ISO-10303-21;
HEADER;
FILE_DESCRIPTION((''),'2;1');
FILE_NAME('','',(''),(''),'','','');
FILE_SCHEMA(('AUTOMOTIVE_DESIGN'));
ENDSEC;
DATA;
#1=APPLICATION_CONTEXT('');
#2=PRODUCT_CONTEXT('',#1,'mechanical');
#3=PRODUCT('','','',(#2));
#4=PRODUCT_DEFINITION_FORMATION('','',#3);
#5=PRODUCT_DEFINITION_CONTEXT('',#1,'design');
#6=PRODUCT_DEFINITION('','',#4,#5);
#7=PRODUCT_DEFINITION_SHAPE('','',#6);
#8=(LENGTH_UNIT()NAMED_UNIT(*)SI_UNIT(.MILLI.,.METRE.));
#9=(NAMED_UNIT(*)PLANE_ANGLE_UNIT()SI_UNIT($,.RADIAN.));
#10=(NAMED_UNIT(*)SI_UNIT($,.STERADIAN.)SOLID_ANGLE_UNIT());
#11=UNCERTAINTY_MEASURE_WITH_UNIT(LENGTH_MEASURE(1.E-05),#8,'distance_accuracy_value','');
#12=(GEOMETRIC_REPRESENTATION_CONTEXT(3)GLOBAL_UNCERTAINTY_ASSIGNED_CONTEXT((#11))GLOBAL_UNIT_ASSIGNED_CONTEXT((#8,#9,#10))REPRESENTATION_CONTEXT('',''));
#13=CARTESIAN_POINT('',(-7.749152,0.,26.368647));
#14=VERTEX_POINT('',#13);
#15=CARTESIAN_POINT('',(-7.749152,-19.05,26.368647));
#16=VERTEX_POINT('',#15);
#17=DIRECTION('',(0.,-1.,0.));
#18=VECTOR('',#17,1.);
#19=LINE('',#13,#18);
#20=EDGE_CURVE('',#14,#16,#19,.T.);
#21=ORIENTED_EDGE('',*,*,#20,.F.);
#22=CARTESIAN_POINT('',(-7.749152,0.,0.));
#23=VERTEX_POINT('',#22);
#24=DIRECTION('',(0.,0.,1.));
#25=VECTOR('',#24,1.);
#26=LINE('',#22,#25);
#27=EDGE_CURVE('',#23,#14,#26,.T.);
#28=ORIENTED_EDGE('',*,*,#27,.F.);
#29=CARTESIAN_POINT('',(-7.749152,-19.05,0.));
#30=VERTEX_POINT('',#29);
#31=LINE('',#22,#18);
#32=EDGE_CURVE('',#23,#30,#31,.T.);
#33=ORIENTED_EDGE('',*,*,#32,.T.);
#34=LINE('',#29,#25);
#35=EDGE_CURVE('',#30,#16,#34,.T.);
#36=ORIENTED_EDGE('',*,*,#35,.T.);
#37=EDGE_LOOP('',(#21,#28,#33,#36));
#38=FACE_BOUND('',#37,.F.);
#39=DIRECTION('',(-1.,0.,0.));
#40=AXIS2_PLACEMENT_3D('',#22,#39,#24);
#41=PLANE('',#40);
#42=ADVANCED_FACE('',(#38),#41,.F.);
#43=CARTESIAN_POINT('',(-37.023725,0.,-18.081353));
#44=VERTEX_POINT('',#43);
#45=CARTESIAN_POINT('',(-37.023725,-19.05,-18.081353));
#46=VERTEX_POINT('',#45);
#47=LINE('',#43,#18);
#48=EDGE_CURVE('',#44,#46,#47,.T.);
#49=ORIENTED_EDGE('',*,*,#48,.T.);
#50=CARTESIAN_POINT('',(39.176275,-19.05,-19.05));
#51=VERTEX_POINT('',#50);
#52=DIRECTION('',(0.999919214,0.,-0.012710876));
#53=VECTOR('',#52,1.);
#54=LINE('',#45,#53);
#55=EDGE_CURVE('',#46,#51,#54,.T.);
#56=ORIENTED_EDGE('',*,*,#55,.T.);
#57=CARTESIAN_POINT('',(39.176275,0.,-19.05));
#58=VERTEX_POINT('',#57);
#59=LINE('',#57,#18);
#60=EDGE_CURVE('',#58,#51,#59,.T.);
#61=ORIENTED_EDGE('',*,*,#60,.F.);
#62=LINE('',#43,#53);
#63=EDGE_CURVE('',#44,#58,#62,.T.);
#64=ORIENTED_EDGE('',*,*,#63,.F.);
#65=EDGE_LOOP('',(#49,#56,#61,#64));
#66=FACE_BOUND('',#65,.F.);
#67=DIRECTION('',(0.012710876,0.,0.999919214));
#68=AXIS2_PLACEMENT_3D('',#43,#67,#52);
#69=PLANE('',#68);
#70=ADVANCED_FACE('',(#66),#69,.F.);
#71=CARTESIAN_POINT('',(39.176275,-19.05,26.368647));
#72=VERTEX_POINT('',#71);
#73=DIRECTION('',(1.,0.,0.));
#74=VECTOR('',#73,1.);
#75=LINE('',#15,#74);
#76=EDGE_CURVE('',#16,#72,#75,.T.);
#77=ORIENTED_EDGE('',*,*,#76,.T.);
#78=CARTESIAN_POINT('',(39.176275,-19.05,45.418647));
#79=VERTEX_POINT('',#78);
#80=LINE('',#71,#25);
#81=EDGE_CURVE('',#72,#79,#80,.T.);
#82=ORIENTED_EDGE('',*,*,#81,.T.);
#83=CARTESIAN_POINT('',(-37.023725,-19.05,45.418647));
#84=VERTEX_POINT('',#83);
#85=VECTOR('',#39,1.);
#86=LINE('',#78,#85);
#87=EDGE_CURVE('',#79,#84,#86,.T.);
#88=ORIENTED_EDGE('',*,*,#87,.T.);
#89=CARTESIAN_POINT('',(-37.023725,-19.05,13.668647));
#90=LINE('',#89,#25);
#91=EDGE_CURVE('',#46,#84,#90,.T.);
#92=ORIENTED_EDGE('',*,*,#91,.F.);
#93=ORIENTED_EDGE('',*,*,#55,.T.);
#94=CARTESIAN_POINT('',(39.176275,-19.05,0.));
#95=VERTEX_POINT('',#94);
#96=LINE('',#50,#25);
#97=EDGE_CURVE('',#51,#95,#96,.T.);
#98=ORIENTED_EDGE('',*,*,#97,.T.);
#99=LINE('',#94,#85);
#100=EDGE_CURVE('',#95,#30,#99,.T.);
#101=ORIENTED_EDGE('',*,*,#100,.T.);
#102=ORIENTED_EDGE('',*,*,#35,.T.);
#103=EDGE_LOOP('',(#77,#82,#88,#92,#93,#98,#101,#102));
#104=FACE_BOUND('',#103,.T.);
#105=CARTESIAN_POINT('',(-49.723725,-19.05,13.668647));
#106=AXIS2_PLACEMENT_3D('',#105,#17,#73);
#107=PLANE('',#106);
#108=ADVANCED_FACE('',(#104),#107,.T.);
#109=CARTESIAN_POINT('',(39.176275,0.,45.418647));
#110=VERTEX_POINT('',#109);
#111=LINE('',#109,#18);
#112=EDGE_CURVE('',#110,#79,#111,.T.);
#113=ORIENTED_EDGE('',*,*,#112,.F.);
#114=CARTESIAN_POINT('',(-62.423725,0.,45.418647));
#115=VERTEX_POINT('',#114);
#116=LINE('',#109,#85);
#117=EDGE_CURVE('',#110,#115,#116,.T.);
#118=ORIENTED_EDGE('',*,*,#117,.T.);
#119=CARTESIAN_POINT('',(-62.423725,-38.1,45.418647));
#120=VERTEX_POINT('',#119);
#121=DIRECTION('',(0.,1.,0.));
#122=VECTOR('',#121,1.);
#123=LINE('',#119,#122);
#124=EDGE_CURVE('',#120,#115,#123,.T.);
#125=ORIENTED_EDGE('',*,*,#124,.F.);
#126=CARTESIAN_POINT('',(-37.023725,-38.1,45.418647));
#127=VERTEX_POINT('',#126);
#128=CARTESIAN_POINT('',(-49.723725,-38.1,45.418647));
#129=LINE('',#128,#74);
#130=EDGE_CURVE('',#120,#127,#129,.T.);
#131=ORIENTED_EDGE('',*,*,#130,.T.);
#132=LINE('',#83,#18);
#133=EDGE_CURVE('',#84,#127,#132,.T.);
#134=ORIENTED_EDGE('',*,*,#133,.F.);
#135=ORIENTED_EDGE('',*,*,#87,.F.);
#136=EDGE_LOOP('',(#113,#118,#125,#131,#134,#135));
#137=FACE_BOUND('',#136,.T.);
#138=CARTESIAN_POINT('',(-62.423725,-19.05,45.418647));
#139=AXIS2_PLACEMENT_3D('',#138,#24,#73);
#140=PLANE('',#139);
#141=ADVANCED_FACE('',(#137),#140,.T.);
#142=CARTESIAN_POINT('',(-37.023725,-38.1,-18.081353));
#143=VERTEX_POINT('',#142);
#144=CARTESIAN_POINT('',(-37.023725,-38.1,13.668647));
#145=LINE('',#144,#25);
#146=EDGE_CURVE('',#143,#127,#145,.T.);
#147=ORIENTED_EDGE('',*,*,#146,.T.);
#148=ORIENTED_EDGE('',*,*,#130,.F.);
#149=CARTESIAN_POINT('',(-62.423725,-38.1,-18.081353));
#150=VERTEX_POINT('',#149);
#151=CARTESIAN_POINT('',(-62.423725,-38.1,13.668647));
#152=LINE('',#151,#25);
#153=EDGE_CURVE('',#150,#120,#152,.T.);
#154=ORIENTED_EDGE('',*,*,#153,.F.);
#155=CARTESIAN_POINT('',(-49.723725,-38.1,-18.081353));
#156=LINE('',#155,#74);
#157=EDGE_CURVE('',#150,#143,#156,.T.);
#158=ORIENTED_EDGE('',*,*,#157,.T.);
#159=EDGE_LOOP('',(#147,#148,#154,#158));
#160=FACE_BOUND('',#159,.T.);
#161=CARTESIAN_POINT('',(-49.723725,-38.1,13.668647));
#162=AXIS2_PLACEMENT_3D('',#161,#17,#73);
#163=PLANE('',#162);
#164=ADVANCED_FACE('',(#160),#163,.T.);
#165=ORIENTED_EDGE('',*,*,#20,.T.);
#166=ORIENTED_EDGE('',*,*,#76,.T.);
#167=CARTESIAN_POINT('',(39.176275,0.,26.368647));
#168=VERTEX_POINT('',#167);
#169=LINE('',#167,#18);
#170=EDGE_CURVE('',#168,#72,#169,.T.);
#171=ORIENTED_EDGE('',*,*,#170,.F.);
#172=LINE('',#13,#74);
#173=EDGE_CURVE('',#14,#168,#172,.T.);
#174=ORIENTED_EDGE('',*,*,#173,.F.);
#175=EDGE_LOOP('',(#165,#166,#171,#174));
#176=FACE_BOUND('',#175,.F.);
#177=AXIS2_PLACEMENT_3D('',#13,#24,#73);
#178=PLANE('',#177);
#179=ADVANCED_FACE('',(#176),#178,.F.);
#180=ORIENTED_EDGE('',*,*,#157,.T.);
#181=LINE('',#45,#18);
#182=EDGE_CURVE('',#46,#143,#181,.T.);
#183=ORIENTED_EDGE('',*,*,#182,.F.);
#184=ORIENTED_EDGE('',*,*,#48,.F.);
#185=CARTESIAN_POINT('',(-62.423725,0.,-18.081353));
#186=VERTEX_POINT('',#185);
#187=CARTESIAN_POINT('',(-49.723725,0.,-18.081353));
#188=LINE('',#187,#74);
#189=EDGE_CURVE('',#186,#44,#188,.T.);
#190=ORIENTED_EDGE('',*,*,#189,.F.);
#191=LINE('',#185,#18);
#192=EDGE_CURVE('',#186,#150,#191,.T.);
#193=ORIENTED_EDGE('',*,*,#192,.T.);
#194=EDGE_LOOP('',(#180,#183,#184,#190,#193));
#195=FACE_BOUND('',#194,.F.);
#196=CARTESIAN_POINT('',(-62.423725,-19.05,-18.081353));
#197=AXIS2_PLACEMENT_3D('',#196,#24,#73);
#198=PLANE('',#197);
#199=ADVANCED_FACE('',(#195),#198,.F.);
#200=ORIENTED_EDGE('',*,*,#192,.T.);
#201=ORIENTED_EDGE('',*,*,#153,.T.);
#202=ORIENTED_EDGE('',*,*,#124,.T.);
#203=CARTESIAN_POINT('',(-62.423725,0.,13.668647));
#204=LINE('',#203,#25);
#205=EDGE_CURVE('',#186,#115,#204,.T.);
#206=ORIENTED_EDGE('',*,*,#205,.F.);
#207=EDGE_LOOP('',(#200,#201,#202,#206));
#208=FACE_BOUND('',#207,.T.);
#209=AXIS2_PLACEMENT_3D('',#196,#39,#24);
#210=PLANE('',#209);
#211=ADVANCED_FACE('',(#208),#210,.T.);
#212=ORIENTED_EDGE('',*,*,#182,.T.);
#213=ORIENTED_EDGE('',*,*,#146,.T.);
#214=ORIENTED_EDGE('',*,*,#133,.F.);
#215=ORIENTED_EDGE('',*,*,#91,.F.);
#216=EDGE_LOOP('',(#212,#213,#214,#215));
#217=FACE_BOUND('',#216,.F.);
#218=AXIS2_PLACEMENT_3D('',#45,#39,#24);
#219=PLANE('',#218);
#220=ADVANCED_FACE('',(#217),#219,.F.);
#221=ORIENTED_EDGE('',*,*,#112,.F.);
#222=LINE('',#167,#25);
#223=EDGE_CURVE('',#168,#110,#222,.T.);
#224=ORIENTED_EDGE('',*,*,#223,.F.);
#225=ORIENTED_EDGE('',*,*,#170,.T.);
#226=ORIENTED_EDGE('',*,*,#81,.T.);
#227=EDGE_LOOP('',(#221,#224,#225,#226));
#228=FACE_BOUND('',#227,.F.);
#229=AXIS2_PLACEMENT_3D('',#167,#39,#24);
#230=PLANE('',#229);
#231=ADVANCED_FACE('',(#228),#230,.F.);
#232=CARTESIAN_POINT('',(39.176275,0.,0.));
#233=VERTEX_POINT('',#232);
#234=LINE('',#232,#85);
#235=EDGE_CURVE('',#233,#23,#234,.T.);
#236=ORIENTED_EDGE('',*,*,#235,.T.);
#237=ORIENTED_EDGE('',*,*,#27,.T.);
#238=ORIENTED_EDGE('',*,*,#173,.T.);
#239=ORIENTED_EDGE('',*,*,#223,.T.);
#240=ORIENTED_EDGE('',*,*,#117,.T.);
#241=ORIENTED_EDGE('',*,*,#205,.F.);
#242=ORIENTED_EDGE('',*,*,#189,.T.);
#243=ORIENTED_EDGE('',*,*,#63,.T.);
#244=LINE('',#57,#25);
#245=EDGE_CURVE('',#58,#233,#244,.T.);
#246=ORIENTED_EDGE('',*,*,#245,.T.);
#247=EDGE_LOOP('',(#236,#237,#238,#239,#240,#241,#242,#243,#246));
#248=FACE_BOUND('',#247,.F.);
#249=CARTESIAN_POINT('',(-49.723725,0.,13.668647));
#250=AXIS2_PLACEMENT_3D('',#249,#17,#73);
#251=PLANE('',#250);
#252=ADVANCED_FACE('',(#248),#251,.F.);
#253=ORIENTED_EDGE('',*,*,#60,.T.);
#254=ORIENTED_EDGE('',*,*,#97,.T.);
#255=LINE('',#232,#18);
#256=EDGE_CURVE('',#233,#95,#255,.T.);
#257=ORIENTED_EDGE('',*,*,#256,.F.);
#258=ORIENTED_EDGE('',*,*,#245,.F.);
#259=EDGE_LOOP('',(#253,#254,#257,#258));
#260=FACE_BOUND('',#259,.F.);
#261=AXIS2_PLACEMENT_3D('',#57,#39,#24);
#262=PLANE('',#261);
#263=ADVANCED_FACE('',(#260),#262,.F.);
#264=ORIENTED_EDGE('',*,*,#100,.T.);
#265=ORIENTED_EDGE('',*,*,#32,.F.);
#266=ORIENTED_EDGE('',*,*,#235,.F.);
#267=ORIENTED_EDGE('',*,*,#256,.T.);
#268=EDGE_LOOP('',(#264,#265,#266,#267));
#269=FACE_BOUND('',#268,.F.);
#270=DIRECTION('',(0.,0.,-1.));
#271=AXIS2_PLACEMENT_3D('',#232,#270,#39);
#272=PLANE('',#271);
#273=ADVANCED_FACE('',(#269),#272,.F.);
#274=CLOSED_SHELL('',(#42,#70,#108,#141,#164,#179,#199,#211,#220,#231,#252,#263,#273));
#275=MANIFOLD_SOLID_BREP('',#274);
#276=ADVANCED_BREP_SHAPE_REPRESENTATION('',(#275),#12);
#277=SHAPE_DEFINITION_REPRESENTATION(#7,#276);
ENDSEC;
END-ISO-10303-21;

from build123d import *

# Parameters (mm, degrees)
F0_W     = 25.4
F0_H     = 63.5
F1_DEPTH = 19.05
F2_W     = 25.4
F2_H     = 63.5
F3_DEPTH = 19.05


with BuildPart() as f1:
    # F0 (on Front) → F1 (new body)
    with BuildSketch(Plane.XZ):
        with Locations((-49.723725, 13.668647)):
            Rectangle(F0_W, F0_H)
        Polygon((39.176275, 45.418647), (-37.023725, 45.418647), (-37.023725, -18.081353), (39.176275, -19.05), (39.176275, 0), (-7.749152, 0), (-7.749152, 26.368647), (39.176275, 26.368647), align=None)
    extrude(amount=F1_DEPTH)

    # F2 (on face) → F3 (join)
    with BuildSketch(Plane.XZ.offset(19.05)):
        with Locations((-49.723725, 13.668647)):
            Rectangle(F2_W, F2_H)
    extrude(amount=F3_DEPTH)


solid = f1.part
